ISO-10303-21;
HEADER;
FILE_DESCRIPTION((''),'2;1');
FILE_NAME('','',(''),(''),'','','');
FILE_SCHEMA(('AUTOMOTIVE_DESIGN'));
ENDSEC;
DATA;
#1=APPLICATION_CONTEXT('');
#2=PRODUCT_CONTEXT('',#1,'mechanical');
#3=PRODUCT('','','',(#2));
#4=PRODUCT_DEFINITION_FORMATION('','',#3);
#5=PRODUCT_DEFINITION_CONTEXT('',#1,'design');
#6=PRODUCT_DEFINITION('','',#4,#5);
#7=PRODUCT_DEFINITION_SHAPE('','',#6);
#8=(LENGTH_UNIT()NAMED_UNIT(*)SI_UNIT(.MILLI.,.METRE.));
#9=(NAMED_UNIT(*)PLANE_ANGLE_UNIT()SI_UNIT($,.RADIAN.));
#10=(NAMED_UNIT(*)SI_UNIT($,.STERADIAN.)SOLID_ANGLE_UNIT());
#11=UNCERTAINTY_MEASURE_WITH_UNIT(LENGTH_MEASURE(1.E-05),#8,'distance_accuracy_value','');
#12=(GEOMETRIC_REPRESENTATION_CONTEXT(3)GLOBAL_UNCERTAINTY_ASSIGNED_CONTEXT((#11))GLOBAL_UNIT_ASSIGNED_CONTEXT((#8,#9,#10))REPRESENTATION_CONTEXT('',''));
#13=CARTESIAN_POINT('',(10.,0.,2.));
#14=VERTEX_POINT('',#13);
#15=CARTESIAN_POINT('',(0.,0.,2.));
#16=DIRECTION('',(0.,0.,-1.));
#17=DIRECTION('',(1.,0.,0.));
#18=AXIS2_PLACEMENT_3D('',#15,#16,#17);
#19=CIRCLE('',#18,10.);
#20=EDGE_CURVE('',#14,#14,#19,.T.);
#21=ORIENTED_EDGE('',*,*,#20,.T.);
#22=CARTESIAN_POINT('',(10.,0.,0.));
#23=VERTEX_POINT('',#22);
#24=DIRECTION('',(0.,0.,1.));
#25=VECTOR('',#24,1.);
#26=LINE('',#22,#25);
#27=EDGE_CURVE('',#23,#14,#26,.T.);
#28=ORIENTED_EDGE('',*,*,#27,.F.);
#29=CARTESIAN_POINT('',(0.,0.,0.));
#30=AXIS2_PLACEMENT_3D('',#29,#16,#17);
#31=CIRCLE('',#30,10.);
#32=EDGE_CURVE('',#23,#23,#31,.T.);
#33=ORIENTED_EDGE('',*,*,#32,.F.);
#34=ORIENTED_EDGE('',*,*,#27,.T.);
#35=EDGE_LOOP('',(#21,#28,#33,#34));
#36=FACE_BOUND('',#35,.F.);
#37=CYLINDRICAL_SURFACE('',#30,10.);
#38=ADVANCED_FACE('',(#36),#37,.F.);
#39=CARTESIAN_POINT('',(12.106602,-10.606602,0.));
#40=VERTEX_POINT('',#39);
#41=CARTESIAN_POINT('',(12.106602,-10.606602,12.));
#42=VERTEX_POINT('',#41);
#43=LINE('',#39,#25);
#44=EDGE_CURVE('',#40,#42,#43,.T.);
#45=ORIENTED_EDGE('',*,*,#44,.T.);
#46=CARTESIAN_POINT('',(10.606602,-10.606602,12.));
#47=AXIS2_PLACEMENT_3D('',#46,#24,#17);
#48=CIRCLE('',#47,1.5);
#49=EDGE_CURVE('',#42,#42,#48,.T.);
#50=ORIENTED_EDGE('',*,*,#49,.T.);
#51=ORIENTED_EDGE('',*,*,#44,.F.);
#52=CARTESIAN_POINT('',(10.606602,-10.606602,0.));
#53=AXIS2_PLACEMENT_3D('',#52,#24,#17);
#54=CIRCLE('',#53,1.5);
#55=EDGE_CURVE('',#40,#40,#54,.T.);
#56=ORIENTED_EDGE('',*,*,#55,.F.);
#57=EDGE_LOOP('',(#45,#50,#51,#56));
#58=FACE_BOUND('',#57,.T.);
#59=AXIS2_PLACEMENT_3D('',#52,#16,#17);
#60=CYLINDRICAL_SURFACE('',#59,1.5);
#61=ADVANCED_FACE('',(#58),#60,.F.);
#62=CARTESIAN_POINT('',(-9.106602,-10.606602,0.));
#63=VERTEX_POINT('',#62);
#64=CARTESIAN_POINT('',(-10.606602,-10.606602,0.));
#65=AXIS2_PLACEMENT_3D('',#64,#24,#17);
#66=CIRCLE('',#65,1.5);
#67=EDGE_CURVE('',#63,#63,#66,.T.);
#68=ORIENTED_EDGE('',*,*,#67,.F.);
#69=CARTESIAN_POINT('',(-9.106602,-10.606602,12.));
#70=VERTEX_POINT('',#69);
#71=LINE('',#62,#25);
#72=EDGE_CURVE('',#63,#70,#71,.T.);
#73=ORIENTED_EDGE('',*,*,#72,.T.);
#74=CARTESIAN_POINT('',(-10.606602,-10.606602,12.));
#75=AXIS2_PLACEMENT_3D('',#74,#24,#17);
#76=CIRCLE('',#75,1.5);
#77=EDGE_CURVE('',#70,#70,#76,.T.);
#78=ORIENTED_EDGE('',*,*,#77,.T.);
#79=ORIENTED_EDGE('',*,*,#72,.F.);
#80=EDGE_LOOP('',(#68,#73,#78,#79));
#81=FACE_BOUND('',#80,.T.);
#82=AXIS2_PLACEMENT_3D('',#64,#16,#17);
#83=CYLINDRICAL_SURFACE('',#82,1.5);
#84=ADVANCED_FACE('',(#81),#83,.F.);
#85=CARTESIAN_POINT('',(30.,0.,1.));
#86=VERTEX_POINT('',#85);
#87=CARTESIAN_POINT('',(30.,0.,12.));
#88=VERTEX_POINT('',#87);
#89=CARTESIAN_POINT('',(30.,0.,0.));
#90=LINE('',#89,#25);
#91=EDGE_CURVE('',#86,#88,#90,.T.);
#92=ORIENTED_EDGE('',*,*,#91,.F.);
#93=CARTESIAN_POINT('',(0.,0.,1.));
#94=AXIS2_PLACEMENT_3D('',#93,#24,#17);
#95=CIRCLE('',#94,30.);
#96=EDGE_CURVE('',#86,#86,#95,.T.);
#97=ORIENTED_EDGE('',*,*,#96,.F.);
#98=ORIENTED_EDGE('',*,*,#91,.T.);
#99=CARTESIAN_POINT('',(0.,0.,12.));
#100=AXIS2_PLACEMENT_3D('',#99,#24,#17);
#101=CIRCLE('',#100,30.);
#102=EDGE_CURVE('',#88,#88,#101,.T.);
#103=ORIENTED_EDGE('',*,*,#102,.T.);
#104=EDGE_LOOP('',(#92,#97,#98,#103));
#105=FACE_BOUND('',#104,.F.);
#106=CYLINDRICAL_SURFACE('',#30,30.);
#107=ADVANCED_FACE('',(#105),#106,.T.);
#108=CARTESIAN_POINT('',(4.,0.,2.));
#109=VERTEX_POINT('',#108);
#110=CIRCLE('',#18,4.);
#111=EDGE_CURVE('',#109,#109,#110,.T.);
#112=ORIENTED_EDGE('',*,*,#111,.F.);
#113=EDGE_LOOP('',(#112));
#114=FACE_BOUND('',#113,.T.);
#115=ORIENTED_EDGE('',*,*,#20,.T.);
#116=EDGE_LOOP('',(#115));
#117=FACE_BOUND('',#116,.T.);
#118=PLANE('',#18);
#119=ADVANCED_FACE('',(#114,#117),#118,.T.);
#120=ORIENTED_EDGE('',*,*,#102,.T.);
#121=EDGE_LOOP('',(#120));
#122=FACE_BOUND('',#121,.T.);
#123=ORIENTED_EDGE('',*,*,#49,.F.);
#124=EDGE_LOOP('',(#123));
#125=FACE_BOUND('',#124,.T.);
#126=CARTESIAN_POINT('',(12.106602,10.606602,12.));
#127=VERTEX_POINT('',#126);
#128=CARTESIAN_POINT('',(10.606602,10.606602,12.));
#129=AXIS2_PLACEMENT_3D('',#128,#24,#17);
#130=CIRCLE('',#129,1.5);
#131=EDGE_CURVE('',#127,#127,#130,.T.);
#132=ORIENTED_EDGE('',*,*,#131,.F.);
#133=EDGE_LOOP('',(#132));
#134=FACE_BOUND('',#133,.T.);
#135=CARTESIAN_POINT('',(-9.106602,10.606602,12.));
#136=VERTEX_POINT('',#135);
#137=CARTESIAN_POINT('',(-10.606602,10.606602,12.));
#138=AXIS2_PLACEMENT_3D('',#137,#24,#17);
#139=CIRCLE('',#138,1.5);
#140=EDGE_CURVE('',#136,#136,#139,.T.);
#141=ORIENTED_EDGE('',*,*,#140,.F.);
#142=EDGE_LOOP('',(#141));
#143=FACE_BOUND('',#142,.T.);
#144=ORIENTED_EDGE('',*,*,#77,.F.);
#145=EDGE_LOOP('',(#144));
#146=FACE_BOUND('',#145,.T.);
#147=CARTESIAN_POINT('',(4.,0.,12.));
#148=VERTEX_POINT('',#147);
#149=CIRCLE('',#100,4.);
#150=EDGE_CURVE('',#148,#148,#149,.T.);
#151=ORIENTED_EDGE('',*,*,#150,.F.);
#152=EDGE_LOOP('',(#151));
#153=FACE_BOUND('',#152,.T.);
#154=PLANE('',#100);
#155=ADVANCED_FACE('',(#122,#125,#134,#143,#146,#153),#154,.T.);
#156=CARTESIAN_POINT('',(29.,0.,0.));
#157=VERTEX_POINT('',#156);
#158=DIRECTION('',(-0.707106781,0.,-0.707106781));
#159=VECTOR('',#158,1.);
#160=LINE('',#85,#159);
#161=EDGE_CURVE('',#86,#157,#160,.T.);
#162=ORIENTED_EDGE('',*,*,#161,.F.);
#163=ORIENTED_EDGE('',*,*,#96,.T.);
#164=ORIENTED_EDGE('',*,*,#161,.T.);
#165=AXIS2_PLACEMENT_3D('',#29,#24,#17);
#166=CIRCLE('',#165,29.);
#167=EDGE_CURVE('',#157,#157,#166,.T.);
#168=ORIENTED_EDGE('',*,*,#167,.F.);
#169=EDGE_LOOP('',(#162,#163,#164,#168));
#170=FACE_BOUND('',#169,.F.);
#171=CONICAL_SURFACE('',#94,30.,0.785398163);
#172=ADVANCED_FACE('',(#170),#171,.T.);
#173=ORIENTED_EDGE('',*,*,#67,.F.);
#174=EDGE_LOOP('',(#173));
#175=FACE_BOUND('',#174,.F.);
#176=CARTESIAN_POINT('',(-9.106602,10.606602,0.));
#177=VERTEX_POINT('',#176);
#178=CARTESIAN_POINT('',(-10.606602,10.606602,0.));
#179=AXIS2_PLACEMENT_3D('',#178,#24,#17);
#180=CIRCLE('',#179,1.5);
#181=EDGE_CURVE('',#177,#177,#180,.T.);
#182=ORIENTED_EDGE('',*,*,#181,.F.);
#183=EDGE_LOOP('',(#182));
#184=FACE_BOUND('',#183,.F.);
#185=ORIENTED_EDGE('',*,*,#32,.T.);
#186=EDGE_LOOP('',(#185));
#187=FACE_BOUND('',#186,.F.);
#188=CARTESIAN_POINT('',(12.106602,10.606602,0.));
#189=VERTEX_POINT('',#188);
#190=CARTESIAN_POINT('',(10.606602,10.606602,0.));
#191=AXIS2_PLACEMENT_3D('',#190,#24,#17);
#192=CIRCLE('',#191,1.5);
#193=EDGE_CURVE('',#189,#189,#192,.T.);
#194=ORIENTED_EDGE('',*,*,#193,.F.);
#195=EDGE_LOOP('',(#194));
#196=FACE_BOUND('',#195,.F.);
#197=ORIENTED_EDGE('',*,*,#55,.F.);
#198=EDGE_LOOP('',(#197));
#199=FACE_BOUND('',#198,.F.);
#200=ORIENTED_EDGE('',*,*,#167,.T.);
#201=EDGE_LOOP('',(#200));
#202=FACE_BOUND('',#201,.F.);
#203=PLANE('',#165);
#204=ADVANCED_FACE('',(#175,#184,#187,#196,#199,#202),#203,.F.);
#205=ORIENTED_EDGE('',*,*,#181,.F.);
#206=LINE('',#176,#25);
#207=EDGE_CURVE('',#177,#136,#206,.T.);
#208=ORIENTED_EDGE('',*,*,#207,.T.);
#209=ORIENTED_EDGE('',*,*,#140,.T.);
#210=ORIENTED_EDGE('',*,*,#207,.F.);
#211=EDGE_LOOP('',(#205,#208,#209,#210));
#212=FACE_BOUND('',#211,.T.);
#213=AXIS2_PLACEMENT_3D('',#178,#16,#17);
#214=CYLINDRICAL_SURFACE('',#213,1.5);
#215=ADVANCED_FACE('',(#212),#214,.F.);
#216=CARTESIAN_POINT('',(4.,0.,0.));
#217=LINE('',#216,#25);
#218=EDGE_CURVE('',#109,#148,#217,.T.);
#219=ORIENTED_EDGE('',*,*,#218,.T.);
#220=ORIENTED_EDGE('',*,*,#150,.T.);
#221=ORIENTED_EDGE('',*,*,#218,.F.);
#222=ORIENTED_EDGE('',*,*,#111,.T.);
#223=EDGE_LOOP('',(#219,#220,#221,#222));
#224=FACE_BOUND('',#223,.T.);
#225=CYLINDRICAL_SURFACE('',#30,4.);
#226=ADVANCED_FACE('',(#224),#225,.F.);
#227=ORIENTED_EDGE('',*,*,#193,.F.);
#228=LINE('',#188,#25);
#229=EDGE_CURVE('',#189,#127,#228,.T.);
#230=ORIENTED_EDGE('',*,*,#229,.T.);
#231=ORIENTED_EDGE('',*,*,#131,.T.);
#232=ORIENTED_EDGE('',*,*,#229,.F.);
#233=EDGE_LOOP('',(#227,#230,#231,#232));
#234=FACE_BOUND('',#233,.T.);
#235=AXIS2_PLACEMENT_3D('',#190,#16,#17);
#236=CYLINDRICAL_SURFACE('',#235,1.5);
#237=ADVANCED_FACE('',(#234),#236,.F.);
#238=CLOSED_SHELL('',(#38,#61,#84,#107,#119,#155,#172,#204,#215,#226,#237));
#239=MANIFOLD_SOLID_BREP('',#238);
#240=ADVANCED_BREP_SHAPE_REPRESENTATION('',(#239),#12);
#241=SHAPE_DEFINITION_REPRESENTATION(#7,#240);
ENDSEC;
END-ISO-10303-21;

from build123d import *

# Parameters (mm, degrees)
F0_R     = 30
F0_R_2   = 1.5
F0_R_3   = 4
F1_DEPTH = 12
F2_SIZE  = 1
F3_R     = 10
F4_DEPTH = 2


with BuildPart() as f1:
    # F0 (on Top) → F1 (new body)
    with BuildSketch(Plane.XY):
        Circle(F0_R)
        with Locations((-10.606602, -10.606602)):
            Circle(F0_R_2, mode=Mode.SUBTRACT)
        with Locations((10.606602, -10.606602)):
            Circle(F0_R_2, mode=Mode.SUBTRACT)
        with Locations((-10.606602, 10.606602)):
            Circle(F0_R_2, mode=Mode.SUBTRACT)
        Circle(F0_R_3, mode=Mode.SUBTRACT)
        with Locations((10.606602, 10.606602)):
            Circle(F0_R_2, mode=Mode.SUBTRACT)
    extrude(amount=F1_DEPTH)

    # F2
    f2_edges = [f1.edges().sort_by_distance(p)[0] for p in [
        (-30, 0, 0),
    ]]
    chamfer(f2_edges, length=F2_SIZE)

    # F3 (on face) → F4 (cut)
    with BuildSketch(Plane(origin=(0, 0, 0), x_dir=(1, 0, 0), z_dir=(0, 0, -1))):
        Circle(F3_R)
    extrude(amount=-F4_DEPTH, mode=Mode.SUBTRACT)


solid = f1.part
